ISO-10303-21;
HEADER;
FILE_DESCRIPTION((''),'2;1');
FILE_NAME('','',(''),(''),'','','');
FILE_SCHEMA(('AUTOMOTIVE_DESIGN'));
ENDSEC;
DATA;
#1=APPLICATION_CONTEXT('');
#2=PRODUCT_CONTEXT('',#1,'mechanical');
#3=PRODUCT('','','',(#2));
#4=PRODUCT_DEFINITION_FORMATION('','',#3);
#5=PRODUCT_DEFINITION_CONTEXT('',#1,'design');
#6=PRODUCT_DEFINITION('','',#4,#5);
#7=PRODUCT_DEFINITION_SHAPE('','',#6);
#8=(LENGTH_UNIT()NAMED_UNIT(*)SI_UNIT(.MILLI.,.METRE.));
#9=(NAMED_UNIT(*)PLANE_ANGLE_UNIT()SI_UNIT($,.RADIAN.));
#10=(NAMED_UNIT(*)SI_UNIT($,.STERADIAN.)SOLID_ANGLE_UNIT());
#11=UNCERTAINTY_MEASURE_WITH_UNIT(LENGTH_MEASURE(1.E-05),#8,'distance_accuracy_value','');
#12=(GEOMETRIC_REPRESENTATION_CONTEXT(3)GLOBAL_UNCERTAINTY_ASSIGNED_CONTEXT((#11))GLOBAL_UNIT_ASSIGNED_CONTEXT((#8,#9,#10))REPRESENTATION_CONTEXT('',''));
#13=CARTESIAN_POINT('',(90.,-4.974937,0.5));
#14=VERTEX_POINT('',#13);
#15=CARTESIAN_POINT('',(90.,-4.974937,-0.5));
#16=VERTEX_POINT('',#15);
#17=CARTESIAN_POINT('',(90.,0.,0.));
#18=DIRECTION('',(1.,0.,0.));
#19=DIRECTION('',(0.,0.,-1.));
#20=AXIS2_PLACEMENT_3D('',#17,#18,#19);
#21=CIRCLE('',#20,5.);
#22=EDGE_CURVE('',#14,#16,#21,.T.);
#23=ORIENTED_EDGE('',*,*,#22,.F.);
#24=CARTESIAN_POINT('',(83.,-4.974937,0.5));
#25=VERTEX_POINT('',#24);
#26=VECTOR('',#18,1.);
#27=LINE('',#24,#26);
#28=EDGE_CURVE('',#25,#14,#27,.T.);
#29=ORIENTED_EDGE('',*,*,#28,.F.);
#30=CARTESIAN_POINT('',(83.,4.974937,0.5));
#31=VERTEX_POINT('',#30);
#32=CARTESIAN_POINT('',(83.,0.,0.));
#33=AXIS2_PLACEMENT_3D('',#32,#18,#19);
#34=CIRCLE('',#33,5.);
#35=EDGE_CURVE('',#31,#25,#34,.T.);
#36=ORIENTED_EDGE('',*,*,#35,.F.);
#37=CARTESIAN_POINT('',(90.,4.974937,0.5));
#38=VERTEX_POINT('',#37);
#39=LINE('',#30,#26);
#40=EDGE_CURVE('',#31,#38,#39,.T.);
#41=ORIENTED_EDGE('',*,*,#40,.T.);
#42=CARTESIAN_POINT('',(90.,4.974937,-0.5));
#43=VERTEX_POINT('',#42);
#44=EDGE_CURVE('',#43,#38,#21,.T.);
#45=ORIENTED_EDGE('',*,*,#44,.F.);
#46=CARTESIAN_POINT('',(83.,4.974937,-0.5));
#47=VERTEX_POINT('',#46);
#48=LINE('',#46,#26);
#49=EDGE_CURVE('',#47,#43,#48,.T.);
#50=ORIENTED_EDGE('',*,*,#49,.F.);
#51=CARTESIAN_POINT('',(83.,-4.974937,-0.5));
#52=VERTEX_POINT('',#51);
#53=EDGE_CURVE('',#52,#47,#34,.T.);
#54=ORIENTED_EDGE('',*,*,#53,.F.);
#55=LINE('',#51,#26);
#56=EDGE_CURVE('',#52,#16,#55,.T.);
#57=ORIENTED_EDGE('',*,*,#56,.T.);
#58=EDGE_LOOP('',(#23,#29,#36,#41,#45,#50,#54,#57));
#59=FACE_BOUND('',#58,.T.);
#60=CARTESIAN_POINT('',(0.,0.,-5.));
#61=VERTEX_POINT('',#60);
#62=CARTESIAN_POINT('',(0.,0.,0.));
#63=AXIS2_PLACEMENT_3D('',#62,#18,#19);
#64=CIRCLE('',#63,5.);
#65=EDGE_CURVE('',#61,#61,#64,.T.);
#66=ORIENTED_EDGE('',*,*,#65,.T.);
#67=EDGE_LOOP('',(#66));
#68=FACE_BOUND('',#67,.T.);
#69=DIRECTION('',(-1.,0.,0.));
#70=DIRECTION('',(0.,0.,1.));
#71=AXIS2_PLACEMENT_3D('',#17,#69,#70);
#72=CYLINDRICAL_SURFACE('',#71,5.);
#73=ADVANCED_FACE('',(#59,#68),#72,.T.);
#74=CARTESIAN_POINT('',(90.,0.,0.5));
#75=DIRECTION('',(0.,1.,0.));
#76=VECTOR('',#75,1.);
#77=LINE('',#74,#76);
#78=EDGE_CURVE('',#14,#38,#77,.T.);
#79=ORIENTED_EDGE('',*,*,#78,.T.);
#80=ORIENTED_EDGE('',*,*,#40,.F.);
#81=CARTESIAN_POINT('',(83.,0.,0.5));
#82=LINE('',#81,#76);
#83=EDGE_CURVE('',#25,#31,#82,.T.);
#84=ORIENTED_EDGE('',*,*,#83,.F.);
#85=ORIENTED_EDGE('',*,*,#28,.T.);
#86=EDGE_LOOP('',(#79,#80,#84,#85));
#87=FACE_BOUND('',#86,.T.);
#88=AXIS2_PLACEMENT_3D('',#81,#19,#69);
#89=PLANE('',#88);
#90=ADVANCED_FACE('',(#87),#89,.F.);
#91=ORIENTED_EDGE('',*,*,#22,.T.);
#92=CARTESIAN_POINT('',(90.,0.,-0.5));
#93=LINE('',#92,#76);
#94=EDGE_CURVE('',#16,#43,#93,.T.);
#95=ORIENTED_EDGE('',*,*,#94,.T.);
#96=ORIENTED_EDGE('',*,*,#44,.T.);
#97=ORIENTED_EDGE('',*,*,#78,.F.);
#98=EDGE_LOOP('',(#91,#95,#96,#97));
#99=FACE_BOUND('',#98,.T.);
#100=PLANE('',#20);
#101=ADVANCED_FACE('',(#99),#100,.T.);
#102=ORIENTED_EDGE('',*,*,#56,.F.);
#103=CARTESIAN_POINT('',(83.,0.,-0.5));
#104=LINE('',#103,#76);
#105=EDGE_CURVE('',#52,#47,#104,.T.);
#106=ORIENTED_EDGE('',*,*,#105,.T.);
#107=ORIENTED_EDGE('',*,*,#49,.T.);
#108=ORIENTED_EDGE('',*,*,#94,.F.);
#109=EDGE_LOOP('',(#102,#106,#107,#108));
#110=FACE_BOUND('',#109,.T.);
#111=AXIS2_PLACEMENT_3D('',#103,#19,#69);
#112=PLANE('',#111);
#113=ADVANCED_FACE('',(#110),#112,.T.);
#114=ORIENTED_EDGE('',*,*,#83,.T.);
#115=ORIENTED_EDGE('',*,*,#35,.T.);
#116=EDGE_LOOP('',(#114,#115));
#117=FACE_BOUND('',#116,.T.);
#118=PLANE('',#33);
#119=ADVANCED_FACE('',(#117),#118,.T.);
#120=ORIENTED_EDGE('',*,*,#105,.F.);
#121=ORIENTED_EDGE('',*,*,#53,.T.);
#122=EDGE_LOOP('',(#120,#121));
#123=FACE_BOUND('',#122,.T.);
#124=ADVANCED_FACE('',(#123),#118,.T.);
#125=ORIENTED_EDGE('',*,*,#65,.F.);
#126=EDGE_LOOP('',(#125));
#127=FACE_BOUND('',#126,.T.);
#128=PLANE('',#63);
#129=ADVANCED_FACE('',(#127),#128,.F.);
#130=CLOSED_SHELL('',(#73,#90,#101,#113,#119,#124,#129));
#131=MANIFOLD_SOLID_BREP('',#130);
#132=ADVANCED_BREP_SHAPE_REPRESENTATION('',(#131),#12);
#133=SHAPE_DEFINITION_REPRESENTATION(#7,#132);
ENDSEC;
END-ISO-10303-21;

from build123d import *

# Parameters (mm, degrees)
SKETCH1_R     = 5
CORPO_DEPTH   = 90
ABA_START     = -7
ABA_1MM_DEPTH = 7


with BuildPart() as part:
    # Sketch1 → Corpo (new body)
    with BuildSketch(Plane(origin=(0, 0, 0), x_dir=(0, 0, -1), z_dir=(1, 0, 0))):
        with Locations(Location((0, 0, 0), (0, 0, 180))):
            Circle(SKETCH1_R)
    extrude(amount=CORPO_DEPTH)

    # Sketch2 → Aba 1mm (cut)
    with BuildSketch(Plane(origin=(90, 0, 0), x_dir=(0, 0, -1), z_dir=(1, 0, 0)).offset(ABA_START)):
        with BuildLine():
            ThreePointArc((-0.5, 4.974937186), (-5, 0), (-0.5, -4.974937186))
            Line((-0.5, -4.974937186), (-0.5, 4.974937186))
        make_face()
        with BuildLine():
            Line((0.5, 4.974937186), (0.5, -4.974937186))
            ThreePointArc((0.5, -4.974937186), (3.708099244, -3.354101966), (5, 0))
            ThreePointArc((5, 0), (3.708099244, 3.354101966), (0.5, 4.974937186))
        make_face()
    extrude(amount=ABA_1MM_DEPTH, mode=Mode.SUBTRACT)


solid = part.part
